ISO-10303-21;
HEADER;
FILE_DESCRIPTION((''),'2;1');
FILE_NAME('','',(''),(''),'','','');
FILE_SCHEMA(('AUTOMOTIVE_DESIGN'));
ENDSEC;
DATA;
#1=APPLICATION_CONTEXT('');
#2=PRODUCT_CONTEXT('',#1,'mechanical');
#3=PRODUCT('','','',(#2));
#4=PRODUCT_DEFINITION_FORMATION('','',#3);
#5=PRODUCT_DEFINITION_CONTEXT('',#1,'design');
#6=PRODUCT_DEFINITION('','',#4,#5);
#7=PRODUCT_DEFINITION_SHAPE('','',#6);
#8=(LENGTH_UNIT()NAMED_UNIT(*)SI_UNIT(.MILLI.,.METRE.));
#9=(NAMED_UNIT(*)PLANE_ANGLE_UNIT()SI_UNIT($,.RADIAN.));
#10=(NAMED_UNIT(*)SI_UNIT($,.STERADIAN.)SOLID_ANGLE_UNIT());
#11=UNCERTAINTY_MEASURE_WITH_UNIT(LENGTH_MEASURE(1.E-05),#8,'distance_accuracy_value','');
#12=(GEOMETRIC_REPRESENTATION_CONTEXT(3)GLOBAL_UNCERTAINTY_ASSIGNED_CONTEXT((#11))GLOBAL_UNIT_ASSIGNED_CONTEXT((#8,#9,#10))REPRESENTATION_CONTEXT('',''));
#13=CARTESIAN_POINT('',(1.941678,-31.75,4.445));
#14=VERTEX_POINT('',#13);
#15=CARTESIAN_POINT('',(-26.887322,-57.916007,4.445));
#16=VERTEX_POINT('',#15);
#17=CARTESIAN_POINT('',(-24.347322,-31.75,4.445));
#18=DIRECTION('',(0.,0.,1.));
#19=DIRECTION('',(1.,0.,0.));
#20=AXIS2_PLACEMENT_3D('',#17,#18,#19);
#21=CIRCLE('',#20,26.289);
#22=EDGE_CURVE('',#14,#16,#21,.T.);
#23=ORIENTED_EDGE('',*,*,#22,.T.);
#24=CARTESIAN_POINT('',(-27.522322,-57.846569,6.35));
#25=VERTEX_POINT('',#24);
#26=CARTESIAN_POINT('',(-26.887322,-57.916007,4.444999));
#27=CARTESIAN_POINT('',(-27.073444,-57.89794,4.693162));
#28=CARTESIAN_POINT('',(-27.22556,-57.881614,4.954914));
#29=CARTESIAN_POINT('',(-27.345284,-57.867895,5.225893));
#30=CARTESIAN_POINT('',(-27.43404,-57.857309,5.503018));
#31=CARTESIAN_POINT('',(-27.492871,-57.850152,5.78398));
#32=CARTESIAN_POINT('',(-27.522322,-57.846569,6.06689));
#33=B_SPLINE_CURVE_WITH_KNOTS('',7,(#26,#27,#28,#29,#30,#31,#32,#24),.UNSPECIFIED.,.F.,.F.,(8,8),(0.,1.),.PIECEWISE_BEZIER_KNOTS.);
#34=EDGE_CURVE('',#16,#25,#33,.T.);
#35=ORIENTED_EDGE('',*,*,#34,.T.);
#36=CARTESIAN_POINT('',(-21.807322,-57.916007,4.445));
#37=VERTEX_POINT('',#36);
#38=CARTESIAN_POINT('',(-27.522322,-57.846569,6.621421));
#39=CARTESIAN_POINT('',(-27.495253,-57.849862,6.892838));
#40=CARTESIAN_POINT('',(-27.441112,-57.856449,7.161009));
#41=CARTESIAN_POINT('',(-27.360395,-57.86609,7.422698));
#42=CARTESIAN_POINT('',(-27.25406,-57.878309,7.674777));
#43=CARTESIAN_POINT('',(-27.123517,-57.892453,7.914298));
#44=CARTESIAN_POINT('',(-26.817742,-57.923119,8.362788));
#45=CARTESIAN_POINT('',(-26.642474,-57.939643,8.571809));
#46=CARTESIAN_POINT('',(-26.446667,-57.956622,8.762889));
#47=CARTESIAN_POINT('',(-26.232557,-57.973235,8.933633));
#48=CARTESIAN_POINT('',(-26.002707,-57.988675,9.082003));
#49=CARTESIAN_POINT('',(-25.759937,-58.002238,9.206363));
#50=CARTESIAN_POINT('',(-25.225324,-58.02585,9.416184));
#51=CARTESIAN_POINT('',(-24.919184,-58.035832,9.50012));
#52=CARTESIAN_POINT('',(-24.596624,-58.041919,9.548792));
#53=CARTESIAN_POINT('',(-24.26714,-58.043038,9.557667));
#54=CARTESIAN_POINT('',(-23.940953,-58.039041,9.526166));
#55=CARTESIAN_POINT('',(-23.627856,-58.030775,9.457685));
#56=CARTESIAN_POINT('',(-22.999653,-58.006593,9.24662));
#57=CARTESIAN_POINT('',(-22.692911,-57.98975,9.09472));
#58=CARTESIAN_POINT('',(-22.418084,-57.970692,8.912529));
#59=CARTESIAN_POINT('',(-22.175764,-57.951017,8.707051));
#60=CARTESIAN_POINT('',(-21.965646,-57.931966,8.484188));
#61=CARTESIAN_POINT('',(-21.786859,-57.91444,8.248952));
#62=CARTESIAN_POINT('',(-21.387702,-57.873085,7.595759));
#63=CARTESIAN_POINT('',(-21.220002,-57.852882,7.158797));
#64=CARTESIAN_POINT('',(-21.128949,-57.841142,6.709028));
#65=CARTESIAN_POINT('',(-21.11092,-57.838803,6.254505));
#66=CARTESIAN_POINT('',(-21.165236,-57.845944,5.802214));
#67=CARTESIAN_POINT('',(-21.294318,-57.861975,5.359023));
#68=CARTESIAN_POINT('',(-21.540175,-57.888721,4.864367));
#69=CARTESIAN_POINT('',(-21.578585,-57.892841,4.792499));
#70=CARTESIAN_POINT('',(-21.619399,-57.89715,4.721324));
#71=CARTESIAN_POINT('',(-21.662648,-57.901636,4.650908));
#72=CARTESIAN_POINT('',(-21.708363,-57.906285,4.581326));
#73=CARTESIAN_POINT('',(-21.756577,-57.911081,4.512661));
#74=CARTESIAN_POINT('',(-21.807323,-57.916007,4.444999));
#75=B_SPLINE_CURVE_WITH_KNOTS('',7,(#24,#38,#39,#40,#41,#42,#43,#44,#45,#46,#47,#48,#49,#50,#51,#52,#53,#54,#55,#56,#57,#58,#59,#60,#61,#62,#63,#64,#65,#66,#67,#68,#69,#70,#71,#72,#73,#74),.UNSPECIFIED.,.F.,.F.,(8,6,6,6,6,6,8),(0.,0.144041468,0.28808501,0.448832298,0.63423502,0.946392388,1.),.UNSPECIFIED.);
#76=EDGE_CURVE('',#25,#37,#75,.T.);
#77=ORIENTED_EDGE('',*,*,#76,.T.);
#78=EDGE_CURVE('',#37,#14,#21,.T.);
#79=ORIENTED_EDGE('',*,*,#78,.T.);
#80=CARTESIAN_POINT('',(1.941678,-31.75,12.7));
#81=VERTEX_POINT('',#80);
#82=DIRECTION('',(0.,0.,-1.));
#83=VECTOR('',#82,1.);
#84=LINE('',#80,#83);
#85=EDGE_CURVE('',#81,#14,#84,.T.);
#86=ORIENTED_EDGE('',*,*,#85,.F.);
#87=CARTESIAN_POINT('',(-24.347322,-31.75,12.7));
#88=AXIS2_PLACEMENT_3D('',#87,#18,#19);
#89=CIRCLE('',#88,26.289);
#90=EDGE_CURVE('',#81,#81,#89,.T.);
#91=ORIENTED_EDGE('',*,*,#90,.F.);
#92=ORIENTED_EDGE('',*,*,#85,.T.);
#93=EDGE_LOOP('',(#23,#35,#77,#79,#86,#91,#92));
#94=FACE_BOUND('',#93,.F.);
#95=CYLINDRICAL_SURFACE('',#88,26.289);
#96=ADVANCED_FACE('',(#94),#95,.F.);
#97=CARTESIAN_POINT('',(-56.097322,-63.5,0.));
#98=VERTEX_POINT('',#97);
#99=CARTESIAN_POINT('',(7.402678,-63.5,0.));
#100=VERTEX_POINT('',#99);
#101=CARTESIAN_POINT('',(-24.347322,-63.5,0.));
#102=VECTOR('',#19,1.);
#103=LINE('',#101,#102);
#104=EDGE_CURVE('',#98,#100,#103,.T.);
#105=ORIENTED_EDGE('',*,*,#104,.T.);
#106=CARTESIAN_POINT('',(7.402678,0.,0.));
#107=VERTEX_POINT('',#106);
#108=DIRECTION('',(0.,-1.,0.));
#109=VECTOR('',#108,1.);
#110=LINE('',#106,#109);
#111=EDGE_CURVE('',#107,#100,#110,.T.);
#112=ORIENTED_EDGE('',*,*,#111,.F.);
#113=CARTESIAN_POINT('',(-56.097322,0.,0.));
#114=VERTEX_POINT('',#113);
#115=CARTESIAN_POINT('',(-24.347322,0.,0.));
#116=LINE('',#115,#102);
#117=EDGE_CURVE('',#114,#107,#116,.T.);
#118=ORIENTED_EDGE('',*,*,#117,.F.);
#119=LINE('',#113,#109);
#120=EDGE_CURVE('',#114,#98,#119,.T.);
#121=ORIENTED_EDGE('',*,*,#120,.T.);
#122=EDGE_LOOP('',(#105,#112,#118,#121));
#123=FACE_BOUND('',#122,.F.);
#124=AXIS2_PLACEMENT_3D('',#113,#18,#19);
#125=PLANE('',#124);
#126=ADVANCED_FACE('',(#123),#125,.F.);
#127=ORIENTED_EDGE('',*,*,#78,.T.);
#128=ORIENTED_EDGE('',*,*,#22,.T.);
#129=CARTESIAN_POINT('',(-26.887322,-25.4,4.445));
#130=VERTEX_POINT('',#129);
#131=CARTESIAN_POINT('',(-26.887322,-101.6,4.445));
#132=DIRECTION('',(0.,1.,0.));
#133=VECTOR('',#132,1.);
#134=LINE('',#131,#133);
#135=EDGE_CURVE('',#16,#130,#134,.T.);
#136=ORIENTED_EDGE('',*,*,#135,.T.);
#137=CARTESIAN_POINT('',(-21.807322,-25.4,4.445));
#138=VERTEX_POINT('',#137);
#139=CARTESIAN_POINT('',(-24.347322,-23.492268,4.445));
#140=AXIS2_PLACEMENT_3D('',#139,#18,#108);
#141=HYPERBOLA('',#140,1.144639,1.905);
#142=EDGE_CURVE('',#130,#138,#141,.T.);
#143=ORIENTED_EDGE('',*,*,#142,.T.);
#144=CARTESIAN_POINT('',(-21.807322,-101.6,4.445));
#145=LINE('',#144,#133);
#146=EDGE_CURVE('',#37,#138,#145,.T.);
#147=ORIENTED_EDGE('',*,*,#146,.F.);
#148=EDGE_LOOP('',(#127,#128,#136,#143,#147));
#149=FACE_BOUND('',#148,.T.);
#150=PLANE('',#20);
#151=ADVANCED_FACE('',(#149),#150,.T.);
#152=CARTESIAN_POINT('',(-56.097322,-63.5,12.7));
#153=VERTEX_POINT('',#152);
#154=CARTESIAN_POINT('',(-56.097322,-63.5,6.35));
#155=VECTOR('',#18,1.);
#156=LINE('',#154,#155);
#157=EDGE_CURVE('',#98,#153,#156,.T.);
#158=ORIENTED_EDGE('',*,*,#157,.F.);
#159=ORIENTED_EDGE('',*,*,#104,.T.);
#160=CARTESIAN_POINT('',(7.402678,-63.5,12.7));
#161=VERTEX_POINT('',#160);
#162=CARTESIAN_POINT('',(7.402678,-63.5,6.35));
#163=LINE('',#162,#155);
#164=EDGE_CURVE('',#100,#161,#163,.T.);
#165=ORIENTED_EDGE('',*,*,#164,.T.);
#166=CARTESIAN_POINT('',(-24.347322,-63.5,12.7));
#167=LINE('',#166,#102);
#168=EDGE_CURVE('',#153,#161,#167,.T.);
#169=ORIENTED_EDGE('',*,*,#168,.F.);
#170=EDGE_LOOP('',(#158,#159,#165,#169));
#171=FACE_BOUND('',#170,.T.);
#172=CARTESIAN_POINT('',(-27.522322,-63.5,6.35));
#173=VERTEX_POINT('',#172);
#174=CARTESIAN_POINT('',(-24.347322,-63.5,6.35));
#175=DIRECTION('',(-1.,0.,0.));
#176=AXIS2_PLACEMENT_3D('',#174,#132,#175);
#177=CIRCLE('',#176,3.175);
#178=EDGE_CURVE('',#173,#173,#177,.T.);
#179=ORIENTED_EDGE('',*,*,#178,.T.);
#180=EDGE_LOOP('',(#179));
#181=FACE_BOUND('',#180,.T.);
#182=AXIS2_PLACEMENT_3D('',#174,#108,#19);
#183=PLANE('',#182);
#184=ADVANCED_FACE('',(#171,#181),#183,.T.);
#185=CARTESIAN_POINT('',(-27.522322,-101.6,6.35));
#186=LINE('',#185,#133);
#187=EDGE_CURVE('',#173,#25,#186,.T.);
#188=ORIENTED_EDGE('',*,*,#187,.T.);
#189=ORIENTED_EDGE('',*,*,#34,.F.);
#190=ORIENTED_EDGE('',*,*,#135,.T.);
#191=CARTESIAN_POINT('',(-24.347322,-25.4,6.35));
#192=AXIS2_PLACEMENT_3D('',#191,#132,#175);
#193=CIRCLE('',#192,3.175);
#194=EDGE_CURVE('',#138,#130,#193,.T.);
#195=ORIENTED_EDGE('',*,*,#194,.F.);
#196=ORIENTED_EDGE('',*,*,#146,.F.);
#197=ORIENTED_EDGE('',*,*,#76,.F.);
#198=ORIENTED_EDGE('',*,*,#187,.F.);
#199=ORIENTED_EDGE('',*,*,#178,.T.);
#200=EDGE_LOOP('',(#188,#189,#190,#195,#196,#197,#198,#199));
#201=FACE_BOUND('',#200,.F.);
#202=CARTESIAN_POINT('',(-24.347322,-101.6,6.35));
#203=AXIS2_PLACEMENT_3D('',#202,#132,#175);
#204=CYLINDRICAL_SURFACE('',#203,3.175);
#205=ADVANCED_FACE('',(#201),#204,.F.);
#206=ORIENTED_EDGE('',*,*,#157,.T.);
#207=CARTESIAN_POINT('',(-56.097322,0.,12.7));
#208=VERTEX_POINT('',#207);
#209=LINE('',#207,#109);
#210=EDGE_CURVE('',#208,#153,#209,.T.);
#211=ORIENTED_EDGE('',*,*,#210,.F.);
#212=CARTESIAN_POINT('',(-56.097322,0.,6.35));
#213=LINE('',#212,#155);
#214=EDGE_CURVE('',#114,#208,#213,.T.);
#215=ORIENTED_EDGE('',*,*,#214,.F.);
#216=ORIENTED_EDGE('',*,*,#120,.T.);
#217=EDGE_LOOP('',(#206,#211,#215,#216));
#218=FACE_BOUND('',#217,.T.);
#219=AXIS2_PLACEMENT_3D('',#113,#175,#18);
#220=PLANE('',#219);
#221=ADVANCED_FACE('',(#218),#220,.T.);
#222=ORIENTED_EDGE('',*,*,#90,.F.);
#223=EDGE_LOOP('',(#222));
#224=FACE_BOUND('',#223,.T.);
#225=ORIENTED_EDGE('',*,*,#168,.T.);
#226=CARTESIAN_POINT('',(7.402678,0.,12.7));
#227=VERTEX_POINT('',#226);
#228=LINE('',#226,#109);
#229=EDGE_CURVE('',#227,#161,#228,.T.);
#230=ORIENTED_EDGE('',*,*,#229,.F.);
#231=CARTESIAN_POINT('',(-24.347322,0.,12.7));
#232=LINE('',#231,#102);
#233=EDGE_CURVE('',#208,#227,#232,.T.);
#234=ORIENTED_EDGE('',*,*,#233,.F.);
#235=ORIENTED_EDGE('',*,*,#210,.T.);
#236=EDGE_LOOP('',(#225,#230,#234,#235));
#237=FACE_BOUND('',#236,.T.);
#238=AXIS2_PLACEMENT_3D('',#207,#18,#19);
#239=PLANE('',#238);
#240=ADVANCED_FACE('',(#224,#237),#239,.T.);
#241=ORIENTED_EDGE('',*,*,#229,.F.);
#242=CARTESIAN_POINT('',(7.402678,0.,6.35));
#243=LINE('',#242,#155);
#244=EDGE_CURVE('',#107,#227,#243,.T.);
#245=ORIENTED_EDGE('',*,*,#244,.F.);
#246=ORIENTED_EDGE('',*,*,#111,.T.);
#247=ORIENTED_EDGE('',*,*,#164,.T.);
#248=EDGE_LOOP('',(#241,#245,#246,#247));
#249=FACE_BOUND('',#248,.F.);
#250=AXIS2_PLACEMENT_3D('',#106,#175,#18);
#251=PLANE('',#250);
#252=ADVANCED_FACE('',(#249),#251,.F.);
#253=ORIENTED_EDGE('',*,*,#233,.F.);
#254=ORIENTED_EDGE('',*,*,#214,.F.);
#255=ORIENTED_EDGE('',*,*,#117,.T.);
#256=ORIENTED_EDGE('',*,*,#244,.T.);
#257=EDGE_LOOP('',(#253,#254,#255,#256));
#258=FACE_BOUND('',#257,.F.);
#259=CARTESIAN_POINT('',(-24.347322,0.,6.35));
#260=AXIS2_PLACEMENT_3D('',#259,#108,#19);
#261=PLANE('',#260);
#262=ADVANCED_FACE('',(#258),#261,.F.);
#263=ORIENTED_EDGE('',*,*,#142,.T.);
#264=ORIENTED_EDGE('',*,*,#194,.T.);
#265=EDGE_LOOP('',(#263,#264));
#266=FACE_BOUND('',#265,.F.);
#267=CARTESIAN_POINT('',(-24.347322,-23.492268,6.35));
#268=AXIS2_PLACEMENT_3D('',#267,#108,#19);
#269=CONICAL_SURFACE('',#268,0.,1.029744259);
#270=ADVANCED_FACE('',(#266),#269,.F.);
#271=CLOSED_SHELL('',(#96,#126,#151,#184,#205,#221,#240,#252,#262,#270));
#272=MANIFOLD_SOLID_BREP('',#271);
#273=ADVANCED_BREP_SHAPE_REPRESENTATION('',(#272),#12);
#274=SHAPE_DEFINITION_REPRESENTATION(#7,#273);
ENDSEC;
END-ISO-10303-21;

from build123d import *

# Parameters (mm, degrees)
F0_W     = 63.5
F0_H     = 12.7
F1_DEPTH = 63.5
F2_R     = 26.289
F3_DEPTH = 8.255
F5_D     = 6.35
F5_DEPTH = 38.1
F5_TIP   = 1.9077324654


with BuildPart() as f1:
    # F0 (on Front) → F1 (new body)
    with BuildSketch(Plane.XZ):
        with Locations((-24.3473223271, 6.35)):
            Rectangle(F0_W, F0_H)
    extrude(amount=F1_DEPTH)

    # F2 (on face) → F3 (cut)
    with BuildSketch(Plane.XY.offset(12.7)):
        with Locations((-24.3473223271, -31.75)):
            Circle(F2_R)
    extrude(amount=-F3_DEPTH, mode=Mode.SUBTRACT)

    # F5
    with Locations(Plane.XZ.offset(63.5)):
        with Locations((-24.3473223271, 6.35)):
            Hole(F5_D / 2, depth=F5_DEPTH)
            with Locations((0, 0, -(F5_DEPTH + F5_TIP / 2))):  # 118° drill point
                Cone(0, F5_D / 2, F5_TIP, mode=Mode.SUBTRACT)


solid = f1.part
